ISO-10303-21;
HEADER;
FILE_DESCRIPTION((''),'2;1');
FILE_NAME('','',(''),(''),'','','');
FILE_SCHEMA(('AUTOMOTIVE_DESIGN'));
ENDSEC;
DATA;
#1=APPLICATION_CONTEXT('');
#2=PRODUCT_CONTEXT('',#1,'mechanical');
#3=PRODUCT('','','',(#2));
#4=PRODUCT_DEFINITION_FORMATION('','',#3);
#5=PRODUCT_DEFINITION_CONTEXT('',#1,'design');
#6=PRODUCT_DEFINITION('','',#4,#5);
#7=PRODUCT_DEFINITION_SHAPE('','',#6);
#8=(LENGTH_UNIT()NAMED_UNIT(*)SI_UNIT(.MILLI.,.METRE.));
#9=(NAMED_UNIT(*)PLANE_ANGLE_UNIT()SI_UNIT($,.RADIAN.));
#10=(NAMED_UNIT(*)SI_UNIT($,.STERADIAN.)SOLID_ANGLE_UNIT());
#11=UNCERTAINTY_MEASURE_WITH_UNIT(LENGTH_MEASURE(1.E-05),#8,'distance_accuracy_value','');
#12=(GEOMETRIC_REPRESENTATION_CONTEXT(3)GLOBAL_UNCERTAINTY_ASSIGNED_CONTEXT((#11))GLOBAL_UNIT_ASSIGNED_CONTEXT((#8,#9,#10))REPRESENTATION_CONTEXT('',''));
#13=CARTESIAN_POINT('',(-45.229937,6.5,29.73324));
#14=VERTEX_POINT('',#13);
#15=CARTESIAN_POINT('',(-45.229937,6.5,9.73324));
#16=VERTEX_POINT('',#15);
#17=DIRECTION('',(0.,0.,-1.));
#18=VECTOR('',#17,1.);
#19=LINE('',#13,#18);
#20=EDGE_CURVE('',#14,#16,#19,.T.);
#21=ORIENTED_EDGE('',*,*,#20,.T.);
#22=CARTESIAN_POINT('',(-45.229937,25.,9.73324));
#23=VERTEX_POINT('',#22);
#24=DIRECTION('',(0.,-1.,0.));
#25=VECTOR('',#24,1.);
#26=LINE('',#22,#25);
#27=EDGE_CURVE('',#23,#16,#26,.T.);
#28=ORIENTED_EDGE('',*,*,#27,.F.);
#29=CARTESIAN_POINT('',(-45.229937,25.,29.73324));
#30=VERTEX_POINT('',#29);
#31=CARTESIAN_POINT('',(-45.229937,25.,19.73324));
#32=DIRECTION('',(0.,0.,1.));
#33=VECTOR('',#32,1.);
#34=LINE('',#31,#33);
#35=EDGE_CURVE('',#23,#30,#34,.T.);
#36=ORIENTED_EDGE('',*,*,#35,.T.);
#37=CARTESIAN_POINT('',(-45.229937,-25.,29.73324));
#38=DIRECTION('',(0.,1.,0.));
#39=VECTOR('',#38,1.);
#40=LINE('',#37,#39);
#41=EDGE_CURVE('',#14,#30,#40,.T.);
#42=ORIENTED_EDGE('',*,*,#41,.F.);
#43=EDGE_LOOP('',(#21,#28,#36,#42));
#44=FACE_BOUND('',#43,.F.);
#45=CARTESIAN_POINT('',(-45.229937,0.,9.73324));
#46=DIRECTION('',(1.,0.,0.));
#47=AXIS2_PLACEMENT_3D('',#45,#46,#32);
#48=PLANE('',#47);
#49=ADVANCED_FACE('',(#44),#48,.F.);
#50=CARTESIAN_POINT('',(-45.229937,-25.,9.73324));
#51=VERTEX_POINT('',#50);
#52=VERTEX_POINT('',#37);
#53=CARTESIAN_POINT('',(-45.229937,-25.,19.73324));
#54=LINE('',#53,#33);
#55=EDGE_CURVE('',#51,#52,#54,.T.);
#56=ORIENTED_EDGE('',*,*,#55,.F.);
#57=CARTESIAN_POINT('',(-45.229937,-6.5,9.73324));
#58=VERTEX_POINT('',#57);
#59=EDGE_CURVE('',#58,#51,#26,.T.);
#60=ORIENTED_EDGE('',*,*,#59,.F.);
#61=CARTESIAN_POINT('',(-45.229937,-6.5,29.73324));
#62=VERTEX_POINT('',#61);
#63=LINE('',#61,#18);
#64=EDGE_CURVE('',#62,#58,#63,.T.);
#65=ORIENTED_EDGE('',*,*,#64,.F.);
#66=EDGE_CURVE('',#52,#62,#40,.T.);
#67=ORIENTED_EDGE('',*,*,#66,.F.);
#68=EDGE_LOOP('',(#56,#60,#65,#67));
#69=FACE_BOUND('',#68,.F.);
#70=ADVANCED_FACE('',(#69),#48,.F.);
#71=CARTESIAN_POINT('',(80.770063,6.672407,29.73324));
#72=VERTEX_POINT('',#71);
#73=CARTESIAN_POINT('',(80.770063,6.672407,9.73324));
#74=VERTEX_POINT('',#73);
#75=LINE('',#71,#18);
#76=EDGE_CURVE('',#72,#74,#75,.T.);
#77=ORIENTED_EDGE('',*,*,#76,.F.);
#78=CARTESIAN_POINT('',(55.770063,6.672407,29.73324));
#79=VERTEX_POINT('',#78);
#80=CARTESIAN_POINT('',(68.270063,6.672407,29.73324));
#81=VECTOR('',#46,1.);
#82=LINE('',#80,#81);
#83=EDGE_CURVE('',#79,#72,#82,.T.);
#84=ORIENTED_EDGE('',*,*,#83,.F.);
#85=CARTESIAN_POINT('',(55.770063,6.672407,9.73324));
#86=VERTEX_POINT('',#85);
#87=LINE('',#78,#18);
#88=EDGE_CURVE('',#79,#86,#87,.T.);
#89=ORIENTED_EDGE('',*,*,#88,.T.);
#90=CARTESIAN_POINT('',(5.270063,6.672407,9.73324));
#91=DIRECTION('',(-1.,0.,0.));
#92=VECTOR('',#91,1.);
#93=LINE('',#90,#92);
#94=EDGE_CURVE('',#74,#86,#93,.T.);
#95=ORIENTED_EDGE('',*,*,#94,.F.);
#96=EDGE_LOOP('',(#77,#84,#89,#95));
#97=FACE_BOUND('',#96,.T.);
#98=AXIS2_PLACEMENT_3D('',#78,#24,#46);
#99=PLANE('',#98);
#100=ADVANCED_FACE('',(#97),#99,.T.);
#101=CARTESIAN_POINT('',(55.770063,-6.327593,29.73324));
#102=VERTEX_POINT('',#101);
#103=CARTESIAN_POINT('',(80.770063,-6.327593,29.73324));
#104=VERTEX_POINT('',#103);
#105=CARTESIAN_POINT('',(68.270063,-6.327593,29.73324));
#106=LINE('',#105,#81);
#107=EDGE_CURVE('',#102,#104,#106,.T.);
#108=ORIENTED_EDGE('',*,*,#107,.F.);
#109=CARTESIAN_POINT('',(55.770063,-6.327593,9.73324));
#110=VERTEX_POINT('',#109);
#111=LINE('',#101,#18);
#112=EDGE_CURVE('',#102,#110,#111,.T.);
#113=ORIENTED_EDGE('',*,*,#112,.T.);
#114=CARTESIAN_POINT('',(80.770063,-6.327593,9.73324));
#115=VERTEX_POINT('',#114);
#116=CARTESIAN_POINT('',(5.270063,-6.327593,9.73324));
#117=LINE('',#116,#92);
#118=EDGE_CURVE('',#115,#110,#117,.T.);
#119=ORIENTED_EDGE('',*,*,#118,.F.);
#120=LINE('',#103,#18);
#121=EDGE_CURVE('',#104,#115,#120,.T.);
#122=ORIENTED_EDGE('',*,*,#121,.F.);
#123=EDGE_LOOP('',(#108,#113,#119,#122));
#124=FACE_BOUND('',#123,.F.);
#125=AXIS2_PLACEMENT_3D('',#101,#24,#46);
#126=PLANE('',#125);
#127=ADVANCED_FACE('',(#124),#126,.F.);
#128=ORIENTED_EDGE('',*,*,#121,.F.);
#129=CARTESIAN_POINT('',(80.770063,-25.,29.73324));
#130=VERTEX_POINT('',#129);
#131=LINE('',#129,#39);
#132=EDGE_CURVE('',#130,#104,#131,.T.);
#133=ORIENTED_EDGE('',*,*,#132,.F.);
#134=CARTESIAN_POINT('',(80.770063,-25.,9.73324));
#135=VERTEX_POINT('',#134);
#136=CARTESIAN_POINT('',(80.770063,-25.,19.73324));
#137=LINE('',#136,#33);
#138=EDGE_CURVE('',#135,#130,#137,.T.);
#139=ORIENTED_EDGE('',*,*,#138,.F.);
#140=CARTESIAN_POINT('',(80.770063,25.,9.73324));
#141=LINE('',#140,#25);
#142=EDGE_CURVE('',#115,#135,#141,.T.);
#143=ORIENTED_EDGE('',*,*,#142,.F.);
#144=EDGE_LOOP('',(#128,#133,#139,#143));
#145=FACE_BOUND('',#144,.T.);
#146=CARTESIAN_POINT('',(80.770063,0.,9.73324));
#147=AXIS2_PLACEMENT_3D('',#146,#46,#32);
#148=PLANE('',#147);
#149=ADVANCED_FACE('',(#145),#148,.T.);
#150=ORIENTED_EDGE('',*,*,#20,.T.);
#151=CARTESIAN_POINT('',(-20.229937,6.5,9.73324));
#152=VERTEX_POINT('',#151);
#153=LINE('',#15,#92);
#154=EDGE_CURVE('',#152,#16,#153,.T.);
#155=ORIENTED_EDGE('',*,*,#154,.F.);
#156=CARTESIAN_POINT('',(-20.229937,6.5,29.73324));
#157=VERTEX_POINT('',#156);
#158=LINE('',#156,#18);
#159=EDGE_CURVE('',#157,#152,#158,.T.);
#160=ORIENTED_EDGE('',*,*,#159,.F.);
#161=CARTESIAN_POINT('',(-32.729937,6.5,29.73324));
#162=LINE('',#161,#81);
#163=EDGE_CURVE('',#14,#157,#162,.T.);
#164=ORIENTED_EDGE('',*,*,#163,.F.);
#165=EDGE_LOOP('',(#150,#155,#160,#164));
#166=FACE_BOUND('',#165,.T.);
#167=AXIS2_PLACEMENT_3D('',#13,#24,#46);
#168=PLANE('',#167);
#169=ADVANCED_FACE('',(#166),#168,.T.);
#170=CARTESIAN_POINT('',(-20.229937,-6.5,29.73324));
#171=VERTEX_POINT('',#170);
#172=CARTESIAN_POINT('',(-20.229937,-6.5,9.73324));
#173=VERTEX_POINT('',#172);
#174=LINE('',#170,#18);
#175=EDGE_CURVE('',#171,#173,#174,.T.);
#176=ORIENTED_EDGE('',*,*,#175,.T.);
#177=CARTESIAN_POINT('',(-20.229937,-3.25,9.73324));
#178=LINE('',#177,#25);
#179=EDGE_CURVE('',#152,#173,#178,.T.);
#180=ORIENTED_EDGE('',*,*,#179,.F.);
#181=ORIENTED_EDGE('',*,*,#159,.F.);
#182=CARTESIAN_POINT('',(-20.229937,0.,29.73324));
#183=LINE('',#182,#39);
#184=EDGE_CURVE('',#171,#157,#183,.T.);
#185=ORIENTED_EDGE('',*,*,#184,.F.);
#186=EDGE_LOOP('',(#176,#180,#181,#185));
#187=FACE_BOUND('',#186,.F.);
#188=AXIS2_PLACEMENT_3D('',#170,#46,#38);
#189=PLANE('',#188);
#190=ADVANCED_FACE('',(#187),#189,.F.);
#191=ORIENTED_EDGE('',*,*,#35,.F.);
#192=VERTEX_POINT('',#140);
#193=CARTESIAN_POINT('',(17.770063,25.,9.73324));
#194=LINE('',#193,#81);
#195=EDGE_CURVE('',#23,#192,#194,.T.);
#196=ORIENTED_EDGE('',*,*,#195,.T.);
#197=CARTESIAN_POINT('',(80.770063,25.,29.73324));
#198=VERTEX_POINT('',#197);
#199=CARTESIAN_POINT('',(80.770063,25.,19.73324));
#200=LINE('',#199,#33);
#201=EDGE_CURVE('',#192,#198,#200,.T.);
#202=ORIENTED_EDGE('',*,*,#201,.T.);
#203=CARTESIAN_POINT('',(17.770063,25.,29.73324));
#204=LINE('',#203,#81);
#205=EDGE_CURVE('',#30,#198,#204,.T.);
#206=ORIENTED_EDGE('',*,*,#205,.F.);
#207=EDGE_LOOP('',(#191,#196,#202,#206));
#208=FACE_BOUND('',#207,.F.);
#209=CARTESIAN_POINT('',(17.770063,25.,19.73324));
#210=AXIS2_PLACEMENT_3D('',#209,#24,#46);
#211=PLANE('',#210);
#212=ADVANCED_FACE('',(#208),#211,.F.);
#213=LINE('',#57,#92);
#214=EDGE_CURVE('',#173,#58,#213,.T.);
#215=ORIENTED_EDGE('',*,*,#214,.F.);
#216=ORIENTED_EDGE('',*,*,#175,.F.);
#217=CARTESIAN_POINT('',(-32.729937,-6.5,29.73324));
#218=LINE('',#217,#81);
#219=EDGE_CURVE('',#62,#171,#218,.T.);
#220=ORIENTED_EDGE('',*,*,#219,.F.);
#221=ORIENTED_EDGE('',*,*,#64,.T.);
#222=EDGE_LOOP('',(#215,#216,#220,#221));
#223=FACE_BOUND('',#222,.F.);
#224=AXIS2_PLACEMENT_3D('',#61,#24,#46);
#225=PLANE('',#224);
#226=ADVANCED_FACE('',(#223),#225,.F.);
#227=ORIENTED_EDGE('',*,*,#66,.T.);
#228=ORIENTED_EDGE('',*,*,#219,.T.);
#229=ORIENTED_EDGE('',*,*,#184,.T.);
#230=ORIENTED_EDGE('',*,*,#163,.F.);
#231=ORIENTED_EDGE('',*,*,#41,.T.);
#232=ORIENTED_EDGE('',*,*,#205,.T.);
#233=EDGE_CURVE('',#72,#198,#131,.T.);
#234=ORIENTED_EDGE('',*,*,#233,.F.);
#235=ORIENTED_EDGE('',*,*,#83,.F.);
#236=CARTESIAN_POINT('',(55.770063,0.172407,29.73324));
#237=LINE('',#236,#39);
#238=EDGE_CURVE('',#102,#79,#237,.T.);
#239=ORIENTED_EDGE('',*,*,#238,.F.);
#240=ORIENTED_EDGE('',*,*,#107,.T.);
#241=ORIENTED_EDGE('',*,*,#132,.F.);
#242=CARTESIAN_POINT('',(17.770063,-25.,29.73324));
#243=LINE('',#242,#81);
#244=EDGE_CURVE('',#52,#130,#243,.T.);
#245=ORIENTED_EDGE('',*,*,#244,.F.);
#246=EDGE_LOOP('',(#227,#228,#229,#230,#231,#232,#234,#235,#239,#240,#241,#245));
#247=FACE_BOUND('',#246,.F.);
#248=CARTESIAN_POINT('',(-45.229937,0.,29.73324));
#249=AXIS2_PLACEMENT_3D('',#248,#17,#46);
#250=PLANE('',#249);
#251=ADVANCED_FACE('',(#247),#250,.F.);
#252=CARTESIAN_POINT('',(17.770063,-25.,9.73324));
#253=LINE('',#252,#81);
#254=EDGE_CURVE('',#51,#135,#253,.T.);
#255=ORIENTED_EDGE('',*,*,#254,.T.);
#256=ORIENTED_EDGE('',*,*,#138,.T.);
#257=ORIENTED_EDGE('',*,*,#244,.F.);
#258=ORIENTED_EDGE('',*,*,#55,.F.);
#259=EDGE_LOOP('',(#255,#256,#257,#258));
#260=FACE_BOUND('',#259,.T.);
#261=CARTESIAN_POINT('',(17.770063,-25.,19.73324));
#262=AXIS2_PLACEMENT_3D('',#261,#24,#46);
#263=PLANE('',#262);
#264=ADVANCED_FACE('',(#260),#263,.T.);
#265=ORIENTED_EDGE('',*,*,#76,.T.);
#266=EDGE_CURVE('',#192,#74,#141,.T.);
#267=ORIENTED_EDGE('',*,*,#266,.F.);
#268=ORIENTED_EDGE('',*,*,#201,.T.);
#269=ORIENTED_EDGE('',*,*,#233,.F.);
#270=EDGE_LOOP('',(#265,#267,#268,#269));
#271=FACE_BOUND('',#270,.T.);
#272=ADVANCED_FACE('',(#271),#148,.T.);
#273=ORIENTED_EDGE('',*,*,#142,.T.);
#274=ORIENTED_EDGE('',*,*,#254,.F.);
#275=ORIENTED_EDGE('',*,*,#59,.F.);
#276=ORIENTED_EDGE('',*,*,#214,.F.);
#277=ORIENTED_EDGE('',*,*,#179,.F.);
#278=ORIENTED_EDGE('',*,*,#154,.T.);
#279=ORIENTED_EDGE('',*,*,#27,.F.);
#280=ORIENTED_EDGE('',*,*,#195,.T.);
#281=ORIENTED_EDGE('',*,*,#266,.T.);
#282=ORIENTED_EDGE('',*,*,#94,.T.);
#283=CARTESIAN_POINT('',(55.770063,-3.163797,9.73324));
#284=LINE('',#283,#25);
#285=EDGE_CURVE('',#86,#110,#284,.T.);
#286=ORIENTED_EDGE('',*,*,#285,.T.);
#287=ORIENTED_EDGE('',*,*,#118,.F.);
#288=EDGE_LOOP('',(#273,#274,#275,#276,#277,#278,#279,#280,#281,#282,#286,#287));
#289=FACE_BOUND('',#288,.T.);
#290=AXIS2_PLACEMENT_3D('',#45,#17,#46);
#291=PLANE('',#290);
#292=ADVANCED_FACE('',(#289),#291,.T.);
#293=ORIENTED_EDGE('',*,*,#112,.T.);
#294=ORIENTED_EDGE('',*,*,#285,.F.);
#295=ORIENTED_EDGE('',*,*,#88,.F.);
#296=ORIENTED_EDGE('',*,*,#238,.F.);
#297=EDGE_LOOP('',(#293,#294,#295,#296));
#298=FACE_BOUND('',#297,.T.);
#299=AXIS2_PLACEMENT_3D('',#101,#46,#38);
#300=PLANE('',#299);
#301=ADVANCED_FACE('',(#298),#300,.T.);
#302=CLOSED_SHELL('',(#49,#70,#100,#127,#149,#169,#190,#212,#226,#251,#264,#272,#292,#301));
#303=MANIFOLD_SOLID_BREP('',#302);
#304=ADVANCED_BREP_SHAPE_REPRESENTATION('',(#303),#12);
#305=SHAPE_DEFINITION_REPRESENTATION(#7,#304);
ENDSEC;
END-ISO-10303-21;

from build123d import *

# Parameters (mm, degrees)
F0_W     = 126
F0_H     = 20
F1_DEPTH = 25
F2_W     = 25
F2_H     = 13
F3_DEPTH = 20.001


with BuildPart() as f1:
    # F0 (on Front) → F1 (new body, symmetric)
    with BuildSketch(Plane.XZ):
        with Locations((17.770063, 19.73324)):
            Rectangle(F0_W, F0_H)
    extrude(amount=F1_DEPTH, both=True)

    # F2 (on face) → F3 (cut, through all)
    with BuildSketch(Plane.XY.offset(29.73324)):
        with Locations((-32.729937, 0)):
            Rectangle(F2_W, F2_H)
        with Locations((68.270063, 0.172407)):
            Rectangle(F2_W, F2_H)
    extrude(amount=-F3_DEPTH, mode=Mode.SUBTRACT)


solid = f1.part
